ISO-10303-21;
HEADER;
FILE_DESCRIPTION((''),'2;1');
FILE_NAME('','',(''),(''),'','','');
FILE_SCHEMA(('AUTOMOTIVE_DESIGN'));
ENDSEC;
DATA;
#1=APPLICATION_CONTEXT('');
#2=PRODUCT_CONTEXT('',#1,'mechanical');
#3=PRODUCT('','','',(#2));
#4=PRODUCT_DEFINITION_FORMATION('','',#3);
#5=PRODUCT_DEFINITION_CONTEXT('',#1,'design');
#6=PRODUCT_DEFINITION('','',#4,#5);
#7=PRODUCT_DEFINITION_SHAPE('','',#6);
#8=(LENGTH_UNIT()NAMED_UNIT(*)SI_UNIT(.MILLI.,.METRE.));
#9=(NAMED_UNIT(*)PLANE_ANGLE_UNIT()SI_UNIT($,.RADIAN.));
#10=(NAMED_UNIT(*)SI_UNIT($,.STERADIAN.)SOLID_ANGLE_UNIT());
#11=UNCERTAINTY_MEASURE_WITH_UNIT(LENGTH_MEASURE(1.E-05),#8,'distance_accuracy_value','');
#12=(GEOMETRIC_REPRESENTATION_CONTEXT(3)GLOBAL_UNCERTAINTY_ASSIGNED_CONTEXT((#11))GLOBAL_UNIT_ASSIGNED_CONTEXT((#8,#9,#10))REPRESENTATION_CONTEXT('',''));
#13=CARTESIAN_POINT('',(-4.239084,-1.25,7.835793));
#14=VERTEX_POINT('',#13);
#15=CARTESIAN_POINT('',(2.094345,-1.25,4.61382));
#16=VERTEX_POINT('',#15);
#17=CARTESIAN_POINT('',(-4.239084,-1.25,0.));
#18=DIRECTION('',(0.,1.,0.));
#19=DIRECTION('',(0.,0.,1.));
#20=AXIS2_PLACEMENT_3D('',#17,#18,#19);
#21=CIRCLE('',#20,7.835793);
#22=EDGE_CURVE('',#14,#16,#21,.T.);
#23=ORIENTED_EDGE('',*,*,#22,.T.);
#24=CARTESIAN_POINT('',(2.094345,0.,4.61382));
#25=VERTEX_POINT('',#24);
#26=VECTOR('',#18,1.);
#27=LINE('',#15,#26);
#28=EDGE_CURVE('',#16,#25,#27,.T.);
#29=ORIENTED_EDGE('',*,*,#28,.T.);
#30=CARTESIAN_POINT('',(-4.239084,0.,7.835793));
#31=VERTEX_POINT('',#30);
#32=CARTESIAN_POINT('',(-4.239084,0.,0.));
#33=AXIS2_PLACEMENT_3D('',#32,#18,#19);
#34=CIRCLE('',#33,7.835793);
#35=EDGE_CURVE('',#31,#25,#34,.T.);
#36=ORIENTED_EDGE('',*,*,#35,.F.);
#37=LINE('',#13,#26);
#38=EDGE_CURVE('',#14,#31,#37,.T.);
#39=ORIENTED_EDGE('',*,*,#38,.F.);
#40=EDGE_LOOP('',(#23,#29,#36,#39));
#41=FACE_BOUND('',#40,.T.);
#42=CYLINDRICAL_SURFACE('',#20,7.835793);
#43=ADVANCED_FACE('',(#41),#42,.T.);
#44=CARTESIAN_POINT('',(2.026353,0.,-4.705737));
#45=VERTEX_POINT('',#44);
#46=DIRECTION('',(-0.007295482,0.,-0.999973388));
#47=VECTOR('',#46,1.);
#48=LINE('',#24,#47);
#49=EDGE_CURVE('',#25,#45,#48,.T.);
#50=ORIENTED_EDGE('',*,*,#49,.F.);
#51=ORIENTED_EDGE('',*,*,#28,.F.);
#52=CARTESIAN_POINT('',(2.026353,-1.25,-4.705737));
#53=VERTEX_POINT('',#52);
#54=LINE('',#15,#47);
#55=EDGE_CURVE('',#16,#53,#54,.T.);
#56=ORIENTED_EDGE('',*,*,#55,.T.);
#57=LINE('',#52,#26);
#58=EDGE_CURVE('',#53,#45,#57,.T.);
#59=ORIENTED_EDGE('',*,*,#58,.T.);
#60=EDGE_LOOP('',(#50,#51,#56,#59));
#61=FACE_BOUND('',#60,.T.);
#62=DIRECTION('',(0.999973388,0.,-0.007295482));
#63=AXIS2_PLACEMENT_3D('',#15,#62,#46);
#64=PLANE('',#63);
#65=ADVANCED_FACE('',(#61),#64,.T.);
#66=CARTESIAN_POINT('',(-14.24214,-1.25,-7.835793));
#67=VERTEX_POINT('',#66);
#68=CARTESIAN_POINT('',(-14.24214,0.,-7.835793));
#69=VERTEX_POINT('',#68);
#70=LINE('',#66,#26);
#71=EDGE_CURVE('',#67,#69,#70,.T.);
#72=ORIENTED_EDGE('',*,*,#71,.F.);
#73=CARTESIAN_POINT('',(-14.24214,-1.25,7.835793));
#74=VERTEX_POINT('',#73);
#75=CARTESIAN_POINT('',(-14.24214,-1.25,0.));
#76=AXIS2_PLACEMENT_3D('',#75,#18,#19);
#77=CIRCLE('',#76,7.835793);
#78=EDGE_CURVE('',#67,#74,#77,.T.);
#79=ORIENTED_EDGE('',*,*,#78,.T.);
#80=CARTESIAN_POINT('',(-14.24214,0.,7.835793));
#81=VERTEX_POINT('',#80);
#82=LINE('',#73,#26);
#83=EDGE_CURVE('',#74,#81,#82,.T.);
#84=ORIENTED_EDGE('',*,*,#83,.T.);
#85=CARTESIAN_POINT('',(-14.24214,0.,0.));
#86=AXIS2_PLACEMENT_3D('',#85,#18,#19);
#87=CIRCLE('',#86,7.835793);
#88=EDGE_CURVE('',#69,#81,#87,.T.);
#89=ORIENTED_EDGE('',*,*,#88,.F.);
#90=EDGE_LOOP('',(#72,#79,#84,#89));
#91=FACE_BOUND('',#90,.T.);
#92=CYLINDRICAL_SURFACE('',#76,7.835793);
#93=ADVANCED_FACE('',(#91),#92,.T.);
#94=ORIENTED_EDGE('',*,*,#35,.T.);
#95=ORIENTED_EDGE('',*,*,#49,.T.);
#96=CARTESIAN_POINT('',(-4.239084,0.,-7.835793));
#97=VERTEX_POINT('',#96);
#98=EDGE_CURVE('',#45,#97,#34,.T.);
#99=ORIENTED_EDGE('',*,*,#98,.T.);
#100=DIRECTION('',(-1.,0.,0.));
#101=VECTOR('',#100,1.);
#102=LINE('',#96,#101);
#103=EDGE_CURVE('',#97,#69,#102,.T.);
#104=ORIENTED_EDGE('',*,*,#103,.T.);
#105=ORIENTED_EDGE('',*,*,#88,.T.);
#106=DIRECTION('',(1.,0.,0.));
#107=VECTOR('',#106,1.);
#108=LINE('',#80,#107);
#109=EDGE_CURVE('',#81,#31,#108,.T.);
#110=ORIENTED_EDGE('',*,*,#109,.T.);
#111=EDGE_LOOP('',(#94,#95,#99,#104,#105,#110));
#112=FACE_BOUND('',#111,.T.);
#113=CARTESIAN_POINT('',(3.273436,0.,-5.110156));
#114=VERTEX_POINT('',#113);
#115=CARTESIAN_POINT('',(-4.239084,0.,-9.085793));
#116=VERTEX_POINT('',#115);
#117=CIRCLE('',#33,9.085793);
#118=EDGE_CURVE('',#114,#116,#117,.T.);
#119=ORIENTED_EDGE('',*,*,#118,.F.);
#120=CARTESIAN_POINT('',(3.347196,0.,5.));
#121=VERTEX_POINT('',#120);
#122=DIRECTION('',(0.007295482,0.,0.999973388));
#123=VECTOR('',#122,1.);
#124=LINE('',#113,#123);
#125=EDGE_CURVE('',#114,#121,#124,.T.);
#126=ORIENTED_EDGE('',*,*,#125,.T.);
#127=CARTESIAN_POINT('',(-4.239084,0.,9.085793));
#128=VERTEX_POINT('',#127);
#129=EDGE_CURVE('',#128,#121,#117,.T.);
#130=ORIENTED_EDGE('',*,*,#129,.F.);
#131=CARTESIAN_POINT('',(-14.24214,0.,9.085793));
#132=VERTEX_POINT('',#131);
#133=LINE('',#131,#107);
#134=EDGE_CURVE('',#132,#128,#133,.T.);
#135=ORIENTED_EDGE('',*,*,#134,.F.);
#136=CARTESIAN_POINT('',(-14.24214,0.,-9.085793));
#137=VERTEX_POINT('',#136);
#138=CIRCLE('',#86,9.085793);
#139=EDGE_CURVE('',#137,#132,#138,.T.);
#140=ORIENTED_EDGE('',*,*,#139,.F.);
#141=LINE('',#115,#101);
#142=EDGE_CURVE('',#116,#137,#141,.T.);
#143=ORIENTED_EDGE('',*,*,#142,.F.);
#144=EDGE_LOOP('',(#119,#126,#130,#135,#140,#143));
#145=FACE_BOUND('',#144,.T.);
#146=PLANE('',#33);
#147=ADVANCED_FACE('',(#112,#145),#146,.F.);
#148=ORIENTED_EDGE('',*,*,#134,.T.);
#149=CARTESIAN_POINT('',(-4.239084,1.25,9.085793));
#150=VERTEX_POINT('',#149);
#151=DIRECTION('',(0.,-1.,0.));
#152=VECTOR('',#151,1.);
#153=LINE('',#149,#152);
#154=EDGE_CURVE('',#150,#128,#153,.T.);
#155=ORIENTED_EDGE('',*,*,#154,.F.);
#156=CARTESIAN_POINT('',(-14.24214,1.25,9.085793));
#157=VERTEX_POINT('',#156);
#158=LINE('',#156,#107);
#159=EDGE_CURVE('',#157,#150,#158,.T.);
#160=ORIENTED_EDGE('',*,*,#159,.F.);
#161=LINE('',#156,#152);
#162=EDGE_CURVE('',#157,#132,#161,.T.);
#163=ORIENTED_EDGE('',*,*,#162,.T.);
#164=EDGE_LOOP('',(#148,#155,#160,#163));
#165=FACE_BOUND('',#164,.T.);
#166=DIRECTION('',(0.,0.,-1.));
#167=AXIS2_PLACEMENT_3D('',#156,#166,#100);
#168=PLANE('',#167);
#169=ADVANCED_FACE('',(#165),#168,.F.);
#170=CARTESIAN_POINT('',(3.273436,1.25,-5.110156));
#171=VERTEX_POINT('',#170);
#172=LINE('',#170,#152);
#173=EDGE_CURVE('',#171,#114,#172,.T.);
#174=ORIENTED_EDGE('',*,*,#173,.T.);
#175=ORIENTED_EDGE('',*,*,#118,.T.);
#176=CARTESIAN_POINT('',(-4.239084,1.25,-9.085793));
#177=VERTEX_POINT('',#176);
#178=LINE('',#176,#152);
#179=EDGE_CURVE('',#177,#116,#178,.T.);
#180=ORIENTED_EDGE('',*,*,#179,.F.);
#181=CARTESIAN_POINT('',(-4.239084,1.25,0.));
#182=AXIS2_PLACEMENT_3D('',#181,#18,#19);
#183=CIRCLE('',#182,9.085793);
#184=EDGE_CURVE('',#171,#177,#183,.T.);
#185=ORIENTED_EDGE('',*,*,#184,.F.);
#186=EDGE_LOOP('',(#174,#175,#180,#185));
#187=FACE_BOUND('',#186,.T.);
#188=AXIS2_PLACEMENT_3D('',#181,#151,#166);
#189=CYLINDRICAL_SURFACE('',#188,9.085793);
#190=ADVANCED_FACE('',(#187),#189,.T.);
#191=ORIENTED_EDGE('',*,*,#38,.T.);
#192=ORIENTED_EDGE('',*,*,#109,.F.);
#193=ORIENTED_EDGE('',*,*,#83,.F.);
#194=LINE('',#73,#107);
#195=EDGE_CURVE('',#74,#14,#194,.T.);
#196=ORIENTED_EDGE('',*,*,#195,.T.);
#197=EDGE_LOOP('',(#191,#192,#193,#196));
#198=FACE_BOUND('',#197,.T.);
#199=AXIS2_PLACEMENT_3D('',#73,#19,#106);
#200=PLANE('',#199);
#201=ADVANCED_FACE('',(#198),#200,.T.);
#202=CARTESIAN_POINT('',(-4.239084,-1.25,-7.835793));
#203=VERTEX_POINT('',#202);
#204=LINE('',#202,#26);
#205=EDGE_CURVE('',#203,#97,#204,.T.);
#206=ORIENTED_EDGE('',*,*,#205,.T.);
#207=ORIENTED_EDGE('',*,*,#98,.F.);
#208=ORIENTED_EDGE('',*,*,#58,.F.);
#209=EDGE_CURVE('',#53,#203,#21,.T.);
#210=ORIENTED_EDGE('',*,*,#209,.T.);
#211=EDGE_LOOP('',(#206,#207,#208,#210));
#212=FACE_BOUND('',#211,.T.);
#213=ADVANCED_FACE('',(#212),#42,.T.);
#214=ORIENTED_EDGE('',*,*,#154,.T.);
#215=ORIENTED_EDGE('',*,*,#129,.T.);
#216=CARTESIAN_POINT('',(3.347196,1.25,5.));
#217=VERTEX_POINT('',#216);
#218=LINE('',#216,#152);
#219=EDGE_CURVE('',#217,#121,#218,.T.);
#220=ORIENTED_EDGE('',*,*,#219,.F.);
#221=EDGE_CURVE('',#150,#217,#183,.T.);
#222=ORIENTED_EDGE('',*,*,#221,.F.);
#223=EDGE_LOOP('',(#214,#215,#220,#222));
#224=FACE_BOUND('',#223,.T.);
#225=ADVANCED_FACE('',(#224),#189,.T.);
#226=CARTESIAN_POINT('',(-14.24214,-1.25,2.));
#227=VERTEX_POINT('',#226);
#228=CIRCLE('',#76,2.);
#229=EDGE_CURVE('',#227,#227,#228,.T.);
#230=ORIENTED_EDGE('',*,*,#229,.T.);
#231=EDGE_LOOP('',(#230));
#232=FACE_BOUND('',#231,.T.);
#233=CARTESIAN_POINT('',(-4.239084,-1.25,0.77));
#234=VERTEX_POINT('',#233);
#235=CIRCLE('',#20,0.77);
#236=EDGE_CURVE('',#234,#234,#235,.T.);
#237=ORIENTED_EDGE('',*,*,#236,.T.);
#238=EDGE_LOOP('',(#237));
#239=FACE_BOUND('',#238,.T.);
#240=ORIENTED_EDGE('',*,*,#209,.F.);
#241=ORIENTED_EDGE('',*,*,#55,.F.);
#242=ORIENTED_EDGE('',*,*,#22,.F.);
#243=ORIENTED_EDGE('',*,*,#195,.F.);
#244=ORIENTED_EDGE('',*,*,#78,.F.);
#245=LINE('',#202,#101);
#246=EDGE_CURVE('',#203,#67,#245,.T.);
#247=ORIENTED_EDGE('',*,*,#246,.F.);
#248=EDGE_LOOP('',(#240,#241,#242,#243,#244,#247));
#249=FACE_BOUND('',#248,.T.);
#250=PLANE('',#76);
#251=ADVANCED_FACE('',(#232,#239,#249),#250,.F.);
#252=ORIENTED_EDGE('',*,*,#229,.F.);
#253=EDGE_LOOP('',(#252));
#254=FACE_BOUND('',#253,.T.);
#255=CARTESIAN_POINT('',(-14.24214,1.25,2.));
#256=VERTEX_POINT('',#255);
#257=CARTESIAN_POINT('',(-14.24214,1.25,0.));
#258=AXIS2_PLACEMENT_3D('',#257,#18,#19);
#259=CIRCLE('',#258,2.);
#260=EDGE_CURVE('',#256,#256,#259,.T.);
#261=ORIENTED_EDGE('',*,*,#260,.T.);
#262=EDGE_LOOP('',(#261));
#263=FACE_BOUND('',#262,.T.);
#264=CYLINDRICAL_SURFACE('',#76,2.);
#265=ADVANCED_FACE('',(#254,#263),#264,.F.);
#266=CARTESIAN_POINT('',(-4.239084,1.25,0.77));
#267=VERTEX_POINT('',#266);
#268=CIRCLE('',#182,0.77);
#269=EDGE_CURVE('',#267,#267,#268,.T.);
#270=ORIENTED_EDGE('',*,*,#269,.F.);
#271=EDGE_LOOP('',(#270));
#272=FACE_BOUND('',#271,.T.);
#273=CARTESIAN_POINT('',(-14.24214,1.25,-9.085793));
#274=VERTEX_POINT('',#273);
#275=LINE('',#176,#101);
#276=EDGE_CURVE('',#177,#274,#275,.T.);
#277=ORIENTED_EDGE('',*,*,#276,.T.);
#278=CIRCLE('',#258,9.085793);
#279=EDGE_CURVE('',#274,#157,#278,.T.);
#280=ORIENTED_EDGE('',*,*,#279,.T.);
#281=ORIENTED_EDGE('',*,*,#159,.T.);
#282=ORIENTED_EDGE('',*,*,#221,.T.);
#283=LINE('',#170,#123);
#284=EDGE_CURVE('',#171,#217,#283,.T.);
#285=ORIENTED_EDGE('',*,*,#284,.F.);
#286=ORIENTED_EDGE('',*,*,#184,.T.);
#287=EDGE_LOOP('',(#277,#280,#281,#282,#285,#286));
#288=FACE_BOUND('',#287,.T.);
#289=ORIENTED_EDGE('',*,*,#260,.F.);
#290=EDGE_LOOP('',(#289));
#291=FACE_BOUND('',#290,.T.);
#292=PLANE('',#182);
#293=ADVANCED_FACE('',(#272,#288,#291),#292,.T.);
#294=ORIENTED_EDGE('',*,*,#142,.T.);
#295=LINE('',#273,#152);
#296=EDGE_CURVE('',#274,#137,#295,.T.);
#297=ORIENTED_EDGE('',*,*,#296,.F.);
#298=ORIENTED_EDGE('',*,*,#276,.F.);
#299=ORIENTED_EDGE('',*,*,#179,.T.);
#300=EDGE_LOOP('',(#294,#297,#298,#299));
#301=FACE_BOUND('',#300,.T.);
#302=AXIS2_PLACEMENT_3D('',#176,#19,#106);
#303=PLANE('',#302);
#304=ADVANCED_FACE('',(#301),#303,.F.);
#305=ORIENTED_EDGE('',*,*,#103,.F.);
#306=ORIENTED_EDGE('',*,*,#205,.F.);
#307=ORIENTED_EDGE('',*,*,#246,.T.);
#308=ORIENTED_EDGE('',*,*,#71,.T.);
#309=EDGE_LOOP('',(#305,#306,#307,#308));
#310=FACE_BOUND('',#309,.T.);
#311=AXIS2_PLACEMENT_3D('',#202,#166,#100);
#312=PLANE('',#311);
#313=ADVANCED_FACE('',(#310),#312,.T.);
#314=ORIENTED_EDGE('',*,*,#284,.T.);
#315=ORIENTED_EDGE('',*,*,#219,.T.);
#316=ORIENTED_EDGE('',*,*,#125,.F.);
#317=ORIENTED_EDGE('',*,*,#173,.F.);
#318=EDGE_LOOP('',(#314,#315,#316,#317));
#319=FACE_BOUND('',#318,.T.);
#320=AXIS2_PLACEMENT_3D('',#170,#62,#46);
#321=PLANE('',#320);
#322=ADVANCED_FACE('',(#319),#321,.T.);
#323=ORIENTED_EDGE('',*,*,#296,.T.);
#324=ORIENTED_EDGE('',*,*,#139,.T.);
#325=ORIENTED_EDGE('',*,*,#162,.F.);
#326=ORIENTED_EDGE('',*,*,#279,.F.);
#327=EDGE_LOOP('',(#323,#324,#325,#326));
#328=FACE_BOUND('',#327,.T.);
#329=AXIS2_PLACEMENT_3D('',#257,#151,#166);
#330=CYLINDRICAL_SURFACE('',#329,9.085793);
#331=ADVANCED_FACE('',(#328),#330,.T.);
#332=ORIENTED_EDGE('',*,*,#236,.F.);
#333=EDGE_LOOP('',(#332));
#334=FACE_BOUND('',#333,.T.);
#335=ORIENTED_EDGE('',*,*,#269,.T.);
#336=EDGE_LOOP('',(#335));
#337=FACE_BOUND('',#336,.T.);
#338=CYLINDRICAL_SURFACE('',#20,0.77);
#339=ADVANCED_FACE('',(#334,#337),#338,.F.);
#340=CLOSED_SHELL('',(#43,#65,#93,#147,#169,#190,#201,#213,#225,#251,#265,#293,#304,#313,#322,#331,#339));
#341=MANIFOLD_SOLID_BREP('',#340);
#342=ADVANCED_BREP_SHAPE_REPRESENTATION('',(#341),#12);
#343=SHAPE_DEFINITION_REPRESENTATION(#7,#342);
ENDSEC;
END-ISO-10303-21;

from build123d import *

# Parameters (mm, degrees)
SKETCH1_R           = 0.77
SKETCH1_R_2         = 2
BOSS_EXTRUDE2_DEPTH = 1.25
BOSS_EXTRUDE3_START = 1.25
SKETCH1_5_R         = 0.77
SKETCH1_5_R_2       = 2
BOSS_EXTRUDE3_DEPTH = 1.25


with BuildPart() as part:
    # Sketch1 → Boss-Extrude2 (new body)
    with BuildSketch(Plane(origin=(0, 0, 0), x_dir=(1, 0, 0), z_dir=(0, 1, 0))):
        with BuildLine():
            Line((-14.242139595, -7.835793251), (-4.23908362, -7.835793251))
            ThreePointArc((-4.23908362, -7.835793251), (-0.686146993, -6.984002949), (2.094345322, -4.613819859))
            Line((2.094345322, -4.613819859), (2.026352853, 4.705737102))
            ThreePointArc((2.026352853, 4.705737102), (-0.737193213, 7.009737473), (-4.23908362, 7.835793251))
            Line((-4.23908362, 7.835793251), (-14.242139595, 7.835793251))
            ThreePointArc((-14.242139595, 7.835793251), (-22.077932846, 0), (-14.242139595, -7.835793251))
        make_face()
        with Locations((-4.23908362, 0)):
            Circle(SKETCH1_R, mode=Mode.SUBTRACT)
        with Locations((-14.242139595, 0)):
            Circle(SKETCH1_R_2, mode=Mode.SUBTRACT)
    extrude(amount=-BOSS_EXTRUDE2_DEPTH)

    # Sketch1<5> → Boss-Extrude3 (add)
    with BuildSketch(Plane(origin=(0, 0, 0), x_dir=(1, 0, 0), z_dir=(0, 1, 0)).offset(BOSS_EXTRUDE3_START)):
        with BuildLine():
            Line((3.27343561, 5.110155948), (3.347196034, -5))
            ThreePointArc((3.347196034, -5), (0.069203321, -7.999393891), (-4.23908362, -9.085793251))
            Line((-4.23908362, -9.085793251), (-14.242139595, -9.085793251))
            ThreePointArc((-14.242139595, -9.085793251), (-23.327932846, 0), (-14.242139595, 9.085793251))
            Line((-14.242139595, 9.085793251), (-4.23908362, 9.085793251))
            ThreePointArc((-4.23908362, 9.085793251), (0.010729233, 8.030612038), (3.27343561, 5.110155948))
        make_face()
        with Locations((-4.23908362, 0)):
            Circle(SKETCH1_5_R, mode=Mode.SUBTRACT)
        with Locations((-14.242139595, 0)):
            Circle(SKETCH1_5_R_2, mode=Mode.SUBTRACT)
    extrude(amount=-BOSS_EXTRUDE3_DEPTH)


solid = part.part
